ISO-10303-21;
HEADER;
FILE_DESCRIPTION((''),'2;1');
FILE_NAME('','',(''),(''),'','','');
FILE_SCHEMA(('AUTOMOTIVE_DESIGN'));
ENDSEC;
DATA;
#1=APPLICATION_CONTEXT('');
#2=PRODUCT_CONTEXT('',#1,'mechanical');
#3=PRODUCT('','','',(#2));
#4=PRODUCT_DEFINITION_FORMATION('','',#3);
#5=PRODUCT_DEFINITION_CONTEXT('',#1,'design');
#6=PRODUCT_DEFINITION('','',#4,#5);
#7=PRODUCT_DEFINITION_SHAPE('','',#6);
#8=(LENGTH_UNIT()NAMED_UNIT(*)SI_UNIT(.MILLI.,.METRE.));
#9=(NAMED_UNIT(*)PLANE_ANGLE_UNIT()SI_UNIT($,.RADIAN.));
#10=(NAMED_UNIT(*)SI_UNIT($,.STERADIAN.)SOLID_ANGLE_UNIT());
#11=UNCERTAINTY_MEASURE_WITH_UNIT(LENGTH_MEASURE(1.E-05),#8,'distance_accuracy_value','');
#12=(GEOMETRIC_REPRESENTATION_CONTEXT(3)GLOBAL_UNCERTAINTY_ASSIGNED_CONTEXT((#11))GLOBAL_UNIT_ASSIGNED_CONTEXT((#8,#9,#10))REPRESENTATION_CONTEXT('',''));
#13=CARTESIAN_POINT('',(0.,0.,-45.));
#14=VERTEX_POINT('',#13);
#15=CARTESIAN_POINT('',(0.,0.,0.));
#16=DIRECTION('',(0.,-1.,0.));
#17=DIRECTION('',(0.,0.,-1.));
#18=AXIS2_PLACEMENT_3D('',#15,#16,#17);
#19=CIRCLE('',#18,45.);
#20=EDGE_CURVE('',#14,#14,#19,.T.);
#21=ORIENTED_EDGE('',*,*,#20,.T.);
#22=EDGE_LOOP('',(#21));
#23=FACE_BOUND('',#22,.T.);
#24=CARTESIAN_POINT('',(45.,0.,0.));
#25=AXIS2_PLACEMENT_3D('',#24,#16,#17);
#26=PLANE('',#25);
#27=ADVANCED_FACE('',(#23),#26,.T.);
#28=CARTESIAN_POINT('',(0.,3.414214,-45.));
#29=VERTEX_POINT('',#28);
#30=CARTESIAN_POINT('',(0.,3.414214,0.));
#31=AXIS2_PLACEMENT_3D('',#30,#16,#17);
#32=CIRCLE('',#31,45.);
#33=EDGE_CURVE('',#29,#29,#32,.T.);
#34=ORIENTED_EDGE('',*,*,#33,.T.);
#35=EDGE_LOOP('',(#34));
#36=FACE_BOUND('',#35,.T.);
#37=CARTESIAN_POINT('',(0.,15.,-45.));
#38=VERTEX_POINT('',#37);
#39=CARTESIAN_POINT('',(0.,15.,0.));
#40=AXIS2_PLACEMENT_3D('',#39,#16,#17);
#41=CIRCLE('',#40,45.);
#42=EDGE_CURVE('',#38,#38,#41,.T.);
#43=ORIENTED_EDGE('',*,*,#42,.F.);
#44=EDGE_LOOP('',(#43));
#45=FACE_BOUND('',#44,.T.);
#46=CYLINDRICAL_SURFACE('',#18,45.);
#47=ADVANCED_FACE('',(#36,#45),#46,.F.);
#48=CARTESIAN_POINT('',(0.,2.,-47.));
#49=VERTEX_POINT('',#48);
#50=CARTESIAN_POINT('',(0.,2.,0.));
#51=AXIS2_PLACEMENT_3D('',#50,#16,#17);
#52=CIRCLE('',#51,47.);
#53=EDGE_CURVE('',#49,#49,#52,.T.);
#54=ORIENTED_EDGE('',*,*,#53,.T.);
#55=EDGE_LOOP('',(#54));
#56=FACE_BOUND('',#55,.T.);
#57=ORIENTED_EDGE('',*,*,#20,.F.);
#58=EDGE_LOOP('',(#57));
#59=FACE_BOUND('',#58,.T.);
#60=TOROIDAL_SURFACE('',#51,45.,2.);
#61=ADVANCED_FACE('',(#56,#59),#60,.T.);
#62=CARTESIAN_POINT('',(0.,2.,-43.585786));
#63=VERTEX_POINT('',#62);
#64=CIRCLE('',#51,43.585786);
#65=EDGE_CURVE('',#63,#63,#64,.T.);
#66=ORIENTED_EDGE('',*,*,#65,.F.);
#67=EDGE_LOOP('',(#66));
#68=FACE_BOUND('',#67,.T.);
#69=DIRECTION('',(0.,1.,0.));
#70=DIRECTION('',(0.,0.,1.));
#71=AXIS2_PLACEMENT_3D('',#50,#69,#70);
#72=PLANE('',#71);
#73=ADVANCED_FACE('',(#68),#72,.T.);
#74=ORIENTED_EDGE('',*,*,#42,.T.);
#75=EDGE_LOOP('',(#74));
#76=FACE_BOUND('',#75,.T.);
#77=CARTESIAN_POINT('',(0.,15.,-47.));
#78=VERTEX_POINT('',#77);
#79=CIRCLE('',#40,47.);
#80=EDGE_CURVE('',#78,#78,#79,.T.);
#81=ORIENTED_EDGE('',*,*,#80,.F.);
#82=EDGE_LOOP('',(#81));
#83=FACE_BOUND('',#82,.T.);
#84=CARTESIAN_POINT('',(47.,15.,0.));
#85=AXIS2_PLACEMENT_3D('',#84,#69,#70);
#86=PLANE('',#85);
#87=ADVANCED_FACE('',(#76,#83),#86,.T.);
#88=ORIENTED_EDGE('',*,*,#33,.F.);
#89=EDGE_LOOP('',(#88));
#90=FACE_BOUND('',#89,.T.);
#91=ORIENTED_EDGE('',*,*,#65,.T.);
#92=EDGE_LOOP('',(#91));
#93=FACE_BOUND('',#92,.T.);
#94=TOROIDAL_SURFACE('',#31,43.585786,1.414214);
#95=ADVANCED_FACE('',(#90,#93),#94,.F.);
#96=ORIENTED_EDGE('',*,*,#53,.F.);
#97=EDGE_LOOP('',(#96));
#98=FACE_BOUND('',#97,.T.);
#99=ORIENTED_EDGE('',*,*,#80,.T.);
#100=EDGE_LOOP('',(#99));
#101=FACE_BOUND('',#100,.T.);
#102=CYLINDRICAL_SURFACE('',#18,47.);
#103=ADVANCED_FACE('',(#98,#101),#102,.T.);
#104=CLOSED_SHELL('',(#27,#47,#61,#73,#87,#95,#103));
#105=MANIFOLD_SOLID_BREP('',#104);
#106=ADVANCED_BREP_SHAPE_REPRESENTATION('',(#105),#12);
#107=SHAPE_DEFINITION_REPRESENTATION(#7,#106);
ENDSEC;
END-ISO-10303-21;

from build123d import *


with BuildPart() as part:
    # Croquis1 → Revolución1 (revolve)
    with BuildSketch(Plane.XY, mode=Mode.PRIVATE) as revoluci_n1_sk:
        with BuildLine():
            Line((45, 0), (0, 0))
            Line((0, 0), (0, 2))
            Line((0, 2), (43.585786438, 2))
            ThreePointArc((43.585786438, 2), (44.585786438, 2.414213562), (45, 3.414213562))
            Line((45, 3.414213562), (45, 15))
            Line((45, 15), (47, 15))
            Line((47, 15), (47, 2))
            ThreePointArc((47, 2), (46.414213562, 0.585786438), (45, 0))
        make_face()
    revolve(revoluci_n1_sk.sketch.rotate(Axis((0, 0, 0), (0, 1, 0)), 90), axis=Axis((0, 0, 0), (0, 1, 0)))


solid = part.part
